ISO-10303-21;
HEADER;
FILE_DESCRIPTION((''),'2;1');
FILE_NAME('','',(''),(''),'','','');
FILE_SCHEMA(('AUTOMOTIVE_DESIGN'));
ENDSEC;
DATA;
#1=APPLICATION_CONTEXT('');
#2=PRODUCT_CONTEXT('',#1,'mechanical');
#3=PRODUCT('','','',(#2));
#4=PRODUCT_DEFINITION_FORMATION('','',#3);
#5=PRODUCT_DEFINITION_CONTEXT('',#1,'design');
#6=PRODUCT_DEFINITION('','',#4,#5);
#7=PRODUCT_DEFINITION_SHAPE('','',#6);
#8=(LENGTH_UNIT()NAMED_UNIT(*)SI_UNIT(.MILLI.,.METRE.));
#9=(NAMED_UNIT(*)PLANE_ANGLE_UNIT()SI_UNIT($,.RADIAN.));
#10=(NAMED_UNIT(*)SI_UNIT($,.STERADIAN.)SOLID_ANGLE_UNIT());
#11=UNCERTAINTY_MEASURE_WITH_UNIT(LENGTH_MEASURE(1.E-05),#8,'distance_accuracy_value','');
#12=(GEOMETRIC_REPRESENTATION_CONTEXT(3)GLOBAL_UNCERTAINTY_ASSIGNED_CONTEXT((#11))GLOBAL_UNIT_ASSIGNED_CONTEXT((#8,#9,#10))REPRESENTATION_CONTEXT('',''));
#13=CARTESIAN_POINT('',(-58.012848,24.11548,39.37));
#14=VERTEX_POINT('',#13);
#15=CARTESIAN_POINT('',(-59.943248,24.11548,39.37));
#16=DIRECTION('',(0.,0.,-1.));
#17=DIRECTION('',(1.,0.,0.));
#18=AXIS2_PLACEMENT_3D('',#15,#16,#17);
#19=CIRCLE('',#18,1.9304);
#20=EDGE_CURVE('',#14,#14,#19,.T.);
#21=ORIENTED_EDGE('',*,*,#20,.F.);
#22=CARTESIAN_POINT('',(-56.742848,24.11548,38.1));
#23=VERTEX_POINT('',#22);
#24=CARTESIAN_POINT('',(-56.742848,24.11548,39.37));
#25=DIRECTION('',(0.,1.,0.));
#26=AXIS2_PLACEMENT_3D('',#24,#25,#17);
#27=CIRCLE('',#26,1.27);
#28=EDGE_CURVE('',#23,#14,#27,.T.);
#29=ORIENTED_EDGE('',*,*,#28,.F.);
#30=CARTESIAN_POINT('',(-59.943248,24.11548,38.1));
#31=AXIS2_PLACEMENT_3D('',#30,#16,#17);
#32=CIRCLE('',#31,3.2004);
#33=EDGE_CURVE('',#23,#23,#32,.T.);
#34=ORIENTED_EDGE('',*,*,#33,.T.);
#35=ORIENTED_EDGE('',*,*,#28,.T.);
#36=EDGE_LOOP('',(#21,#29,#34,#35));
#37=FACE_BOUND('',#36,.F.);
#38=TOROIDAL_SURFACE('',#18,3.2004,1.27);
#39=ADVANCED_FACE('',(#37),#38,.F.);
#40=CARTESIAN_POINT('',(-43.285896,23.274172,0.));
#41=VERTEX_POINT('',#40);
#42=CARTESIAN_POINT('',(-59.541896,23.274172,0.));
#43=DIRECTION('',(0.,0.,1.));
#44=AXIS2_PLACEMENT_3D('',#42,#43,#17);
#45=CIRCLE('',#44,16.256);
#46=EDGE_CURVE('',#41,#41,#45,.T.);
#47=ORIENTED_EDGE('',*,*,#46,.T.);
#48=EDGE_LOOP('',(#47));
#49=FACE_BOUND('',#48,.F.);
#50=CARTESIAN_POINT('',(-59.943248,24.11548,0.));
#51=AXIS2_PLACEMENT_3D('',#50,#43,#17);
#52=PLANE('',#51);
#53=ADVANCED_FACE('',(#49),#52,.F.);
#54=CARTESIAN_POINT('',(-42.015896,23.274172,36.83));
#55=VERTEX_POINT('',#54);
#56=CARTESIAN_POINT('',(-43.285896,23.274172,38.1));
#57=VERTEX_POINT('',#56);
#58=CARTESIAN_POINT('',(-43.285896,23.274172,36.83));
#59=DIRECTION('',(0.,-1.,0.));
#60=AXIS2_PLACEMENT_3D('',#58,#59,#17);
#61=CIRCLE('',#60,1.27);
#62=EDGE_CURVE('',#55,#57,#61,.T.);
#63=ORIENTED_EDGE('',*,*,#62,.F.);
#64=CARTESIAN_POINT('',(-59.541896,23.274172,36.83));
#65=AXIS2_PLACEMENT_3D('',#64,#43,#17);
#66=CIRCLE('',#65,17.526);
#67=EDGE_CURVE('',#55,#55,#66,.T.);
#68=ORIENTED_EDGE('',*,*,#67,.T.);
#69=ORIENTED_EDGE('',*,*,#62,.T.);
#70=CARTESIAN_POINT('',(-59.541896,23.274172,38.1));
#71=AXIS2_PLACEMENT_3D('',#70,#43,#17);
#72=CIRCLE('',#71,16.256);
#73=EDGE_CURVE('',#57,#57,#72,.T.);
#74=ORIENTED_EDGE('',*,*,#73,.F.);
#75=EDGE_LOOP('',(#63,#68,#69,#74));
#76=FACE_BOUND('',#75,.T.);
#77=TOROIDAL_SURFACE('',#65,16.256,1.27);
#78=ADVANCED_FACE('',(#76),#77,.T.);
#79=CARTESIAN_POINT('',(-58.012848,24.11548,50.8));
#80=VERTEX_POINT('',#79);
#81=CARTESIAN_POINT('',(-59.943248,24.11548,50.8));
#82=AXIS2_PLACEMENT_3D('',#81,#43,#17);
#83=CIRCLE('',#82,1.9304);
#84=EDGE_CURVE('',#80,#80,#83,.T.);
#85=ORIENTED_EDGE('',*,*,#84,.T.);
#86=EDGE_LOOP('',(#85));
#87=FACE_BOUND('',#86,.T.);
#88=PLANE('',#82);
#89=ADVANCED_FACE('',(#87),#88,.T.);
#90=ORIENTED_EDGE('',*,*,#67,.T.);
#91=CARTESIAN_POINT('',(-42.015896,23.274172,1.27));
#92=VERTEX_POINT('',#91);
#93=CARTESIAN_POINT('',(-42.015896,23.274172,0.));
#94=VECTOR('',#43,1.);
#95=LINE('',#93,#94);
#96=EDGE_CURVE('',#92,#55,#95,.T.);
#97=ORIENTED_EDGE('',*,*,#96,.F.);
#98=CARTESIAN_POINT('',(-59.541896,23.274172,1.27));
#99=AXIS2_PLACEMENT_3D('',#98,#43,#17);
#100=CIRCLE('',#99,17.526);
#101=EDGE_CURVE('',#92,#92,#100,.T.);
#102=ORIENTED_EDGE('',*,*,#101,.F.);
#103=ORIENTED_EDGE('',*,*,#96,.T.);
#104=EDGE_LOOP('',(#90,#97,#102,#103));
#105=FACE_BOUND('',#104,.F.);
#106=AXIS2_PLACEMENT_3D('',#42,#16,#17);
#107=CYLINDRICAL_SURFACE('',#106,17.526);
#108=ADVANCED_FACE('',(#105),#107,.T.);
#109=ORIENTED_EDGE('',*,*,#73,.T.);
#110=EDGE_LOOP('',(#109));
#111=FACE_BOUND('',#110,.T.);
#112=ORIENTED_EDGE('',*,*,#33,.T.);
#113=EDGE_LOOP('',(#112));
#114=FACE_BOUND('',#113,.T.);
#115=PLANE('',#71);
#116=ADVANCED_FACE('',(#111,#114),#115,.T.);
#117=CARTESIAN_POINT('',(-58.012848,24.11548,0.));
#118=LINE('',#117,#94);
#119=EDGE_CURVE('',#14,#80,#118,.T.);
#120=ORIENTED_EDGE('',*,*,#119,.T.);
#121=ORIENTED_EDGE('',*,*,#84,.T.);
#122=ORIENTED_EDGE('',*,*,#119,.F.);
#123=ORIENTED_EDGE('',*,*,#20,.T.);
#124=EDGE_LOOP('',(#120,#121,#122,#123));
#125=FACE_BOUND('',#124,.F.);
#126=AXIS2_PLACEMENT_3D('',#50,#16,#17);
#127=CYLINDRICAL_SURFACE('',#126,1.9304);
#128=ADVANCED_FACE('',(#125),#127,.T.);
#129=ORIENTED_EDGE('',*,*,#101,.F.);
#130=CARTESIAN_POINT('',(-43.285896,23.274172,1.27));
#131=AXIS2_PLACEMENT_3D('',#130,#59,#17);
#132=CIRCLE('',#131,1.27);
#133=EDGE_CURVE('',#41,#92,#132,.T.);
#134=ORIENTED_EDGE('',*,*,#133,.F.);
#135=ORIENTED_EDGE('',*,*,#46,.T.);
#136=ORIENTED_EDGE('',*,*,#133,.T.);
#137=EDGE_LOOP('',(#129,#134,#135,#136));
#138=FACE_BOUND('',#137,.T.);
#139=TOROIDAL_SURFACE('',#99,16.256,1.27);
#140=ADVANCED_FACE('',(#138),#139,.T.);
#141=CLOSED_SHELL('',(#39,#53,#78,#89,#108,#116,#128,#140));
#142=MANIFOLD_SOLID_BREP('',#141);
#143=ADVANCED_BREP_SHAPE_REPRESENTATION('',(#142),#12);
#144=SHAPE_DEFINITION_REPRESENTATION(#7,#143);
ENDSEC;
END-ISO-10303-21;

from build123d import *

# Parameters (mm, degrees)
F0_R     = 17.526
F1_DEPTH = 38.1
F2_R     = 1.9304
F3_DEPTH = 50.8
F4_R     = 1.27


with BuildPart() as f1:
    # F0 (on Top) → F1 (new body)
    with BuildSketch(Plane.XY):
        with Locations((-59.5418959856, 23.2741720974)):
            Circle(F0_R)
    extrude(amount=F1_DEPTH)

    # F2 (on Top) → F3 (join)
    with BuildSketch(Plane.XY):
        with Locations((-59.9432475865, 24.1154804826)):
            Circle(F2_R)
    extrude(amount=F3_DEPTH)

    # F4
    f4_edges = [f1.edges().sort_by_distance(p)[0] for p in [
        (-77.067896, 23.274172, 38.1),
        (-61.873648, 24.11548, 38.1),
        (-77.067896, 23.274172, 0),
    ]]
    fillet(f4_edges, radius=F4_R)


solid = f1.part
